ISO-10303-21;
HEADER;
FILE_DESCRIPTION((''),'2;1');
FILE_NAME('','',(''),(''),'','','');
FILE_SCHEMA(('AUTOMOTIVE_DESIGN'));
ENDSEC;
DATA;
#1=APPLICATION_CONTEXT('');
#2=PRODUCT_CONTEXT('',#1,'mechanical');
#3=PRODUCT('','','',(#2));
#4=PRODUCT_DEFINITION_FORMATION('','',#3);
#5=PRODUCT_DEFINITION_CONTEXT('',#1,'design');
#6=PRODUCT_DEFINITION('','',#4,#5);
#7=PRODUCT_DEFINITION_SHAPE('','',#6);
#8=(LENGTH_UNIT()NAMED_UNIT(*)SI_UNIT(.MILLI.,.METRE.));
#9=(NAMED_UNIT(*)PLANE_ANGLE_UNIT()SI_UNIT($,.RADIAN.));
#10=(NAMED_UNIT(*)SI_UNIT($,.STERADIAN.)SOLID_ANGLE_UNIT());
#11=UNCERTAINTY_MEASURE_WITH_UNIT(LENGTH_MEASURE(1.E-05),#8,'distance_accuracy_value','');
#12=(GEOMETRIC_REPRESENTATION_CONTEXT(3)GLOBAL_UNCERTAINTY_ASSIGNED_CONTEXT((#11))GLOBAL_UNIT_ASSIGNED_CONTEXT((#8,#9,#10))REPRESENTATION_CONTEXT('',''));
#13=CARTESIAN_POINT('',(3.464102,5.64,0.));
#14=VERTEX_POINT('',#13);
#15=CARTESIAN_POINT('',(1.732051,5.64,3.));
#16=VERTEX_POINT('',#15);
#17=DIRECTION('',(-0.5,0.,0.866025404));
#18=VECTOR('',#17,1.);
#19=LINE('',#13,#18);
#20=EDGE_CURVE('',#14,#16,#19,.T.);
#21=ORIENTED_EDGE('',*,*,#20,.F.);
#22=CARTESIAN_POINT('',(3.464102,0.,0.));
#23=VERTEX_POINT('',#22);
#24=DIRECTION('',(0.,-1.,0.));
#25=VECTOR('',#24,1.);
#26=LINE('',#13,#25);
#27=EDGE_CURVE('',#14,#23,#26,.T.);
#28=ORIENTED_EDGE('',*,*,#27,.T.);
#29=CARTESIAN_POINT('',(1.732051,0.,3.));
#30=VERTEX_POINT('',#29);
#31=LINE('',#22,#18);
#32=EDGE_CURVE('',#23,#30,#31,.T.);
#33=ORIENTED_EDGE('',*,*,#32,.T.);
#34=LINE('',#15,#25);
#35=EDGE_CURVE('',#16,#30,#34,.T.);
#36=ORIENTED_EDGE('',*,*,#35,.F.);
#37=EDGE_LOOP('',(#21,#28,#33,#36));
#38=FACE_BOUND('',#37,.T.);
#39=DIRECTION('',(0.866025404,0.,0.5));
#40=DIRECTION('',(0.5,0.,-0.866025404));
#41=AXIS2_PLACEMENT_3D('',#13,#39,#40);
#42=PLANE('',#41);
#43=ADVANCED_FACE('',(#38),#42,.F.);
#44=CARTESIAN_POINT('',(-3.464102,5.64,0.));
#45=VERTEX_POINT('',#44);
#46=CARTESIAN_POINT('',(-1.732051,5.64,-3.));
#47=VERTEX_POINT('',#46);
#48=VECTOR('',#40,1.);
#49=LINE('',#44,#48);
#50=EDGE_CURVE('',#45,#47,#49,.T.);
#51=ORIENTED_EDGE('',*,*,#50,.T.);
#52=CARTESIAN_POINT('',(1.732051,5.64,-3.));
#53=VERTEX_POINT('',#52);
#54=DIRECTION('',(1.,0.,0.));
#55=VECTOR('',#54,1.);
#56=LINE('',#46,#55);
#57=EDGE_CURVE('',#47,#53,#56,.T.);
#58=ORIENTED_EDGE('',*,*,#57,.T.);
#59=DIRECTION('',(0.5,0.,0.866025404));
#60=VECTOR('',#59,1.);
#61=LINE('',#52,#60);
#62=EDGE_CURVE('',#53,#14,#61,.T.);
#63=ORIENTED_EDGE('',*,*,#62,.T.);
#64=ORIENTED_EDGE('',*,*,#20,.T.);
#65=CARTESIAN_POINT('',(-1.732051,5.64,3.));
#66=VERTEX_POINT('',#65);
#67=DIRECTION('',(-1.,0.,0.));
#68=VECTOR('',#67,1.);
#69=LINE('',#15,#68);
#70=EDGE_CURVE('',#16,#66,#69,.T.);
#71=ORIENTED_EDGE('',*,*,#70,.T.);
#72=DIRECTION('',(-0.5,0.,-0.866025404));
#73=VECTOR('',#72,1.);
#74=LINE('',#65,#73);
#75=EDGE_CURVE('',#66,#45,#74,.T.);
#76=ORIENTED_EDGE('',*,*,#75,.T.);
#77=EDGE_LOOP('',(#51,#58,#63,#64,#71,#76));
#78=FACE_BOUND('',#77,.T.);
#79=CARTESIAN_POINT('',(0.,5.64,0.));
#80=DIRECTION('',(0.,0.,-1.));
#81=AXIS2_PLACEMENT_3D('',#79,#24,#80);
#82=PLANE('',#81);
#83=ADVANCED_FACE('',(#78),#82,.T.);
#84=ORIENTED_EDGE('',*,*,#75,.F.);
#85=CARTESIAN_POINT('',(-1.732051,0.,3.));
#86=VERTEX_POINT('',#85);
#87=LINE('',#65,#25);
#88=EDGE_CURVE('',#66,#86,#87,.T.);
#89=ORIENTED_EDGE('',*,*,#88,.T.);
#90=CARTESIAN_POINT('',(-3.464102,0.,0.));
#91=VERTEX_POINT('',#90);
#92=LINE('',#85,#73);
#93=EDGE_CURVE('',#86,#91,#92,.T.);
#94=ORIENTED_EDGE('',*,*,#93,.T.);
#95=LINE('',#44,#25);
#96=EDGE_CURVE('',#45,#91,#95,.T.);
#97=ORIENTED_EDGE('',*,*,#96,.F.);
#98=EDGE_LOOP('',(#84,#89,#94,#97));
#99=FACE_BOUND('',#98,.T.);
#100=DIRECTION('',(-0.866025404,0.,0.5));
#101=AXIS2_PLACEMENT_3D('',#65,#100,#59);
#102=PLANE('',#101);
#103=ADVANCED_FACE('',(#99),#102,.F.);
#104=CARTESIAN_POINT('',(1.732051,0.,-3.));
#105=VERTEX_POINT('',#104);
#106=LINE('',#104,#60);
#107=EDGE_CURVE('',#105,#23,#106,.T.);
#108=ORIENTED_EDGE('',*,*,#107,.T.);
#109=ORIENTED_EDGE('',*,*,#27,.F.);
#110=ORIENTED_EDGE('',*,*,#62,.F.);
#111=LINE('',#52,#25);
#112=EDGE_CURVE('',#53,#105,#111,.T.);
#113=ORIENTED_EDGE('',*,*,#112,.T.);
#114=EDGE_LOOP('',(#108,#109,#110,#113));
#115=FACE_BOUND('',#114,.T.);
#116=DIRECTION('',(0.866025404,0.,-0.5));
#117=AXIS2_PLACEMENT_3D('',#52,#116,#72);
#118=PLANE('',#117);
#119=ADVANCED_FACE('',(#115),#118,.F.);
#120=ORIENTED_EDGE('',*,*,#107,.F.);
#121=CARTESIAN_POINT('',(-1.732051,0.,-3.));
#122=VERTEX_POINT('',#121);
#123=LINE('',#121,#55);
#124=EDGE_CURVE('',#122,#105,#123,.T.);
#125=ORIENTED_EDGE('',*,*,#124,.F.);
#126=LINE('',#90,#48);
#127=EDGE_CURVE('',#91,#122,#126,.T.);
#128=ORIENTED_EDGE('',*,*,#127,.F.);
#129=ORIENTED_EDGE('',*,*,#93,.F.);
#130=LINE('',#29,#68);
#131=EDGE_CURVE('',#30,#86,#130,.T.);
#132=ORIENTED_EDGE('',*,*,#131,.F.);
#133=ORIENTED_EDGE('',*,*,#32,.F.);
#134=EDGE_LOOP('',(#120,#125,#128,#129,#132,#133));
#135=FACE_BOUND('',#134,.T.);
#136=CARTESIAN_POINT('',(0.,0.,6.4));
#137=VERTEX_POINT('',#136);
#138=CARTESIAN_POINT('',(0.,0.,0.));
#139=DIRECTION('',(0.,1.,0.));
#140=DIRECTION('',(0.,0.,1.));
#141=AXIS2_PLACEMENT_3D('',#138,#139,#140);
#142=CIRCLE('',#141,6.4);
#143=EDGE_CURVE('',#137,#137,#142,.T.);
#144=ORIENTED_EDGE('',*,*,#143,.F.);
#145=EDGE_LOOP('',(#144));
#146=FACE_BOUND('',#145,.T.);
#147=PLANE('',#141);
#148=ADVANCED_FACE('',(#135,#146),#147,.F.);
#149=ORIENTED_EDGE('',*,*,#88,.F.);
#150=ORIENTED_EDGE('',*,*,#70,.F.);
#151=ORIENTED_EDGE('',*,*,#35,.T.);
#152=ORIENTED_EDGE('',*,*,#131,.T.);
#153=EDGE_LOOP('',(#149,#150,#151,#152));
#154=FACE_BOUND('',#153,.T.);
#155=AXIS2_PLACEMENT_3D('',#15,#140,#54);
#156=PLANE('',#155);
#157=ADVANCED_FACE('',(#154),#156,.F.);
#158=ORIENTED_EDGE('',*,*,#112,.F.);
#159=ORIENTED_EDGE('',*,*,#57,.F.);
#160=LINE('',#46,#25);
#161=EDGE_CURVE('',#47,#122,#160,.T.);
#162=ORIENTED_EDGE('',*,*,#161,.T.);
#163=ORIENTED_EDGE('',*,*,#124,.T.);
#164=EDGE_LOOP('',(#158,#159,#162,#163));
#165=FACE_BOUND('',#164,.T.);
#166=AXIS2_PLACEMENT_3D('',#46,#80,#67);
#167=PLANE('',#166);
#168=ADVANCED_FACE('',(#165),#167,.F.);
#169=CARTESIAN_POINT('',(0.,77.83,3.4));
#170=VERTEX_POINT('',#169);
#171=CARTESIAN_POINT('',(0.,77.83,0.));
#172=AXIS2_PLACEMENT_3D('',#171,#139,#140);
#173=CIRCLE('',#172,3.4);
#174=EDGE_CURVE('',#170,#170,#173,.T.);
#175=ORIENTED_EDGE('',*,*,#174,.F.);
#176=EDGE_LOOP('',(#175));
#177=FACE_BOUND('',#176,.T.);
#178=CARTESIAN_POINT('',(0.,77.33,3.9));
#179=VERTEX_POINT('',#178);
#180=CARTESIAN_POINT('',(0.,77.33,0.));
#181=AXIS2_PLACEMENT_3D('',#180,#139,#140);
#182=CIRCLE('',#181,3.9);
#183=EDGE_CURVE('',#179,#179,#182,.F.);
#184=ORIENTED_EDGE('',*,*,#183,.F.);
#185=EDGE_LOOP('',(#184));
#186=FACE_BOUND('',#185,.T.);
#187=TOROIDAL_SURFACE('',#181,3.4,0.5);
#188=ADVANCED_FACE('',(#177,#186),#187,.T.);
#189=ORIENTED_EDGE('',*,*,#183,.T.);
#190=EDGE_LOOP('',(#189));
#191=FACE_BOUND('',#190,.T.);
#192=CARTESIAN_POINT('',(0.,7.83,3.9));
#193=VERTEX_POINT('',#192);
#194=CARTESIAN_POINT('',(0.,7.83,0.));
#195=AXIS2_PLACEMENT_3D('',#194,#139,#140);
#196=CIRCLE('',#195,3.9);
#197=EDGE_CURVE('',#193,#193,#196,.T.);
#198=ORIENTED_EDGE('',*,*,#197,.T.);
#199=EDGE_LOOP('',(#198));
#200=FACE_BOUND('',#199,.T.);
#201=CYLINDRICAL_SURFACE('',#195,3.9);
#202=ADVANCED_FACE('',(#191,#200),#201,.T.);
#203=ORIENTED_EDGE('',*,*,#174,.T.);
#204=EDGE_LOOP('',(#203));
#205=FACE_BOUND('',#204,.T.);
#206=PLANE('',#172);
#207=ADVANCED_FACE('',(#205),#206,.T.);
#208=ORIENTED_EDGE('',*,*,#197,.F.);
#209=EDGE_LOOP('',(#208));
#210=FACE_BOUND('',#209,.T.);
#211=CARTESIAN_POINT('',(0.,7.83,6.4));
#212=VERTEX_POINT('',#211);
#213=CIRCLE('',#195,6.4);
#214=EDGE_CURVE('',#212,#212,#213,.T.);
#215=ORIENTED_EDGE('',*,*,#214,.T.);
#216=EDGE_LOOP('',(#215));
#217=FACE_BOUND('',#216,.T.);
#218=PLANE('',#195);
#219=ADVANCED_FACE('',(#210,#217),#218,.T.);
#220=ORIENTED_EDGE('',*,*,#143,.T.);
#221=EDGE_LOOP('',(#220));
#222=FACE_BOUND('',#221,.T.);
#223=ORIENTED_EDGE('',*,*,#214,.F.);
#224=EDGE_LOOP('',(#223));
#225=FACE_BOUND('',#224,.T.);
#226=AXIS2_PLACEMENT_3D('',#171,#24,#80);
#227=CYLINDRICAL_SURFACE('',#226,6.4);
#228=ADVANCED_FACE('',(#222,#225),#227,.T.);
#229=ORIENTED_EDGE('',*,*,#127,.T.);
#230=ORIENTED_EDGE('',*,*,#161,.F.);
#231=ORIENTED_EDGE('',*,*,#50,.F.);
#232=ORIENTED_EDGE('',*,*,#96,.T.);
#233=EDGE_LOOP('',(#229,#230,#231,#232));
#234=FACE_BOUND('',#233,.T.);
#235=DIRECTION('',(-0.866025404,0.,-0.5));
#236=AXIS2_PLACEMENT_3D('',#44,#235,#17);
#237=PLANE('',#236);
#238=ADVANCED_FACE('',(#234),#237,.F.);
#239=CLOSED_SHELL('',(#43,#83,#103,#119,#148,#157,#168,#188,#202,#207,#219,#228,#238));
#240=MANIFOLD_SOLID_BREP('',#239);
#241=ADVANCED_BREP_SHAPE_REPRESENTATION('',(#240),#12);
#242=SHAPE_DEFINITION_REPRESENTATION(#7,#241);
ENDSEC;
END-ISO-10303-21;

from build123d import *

# Parameters (mm, degrees)
SKETCH1_R           = 6.4
BOSS_EXTRUDE1_DEPTH = 77.83
SKETCH2_OUTSIDE_W   = 30.782
SKETCH2_OUTSIDE_H   = 30.782
SKETCH2_OUTSIDE_R   = 3.9
CUT_EXTRUDE1_DEPTH  = 70
CUT_EXTRUDE2_DEPTH  = 5.64
FILLET1_R           = 0.5


with BuildPart() as part:
    # Sketch1 → Boss-Extrude1 (new body)
    with BuildSketch(Plane(origin=(0, 0, 0), x_dir=(1, 0, 0), z_dir=(0, 1, 0))):
        Circle(SKETCH1_R)
    extrude(amount=BOSS_EXTRUDE1_DEPTH)

    # Sketch2 outside → Cut-Extrude1 (cut)
    with BuildSketch(Plane(origin=(0, 77.83, 0), x_dir=(1, 0, 0), z_dir=(0, 1, 0))):
        Rectangle(SKETCH2_OUTSIDE_W, SKETCH2_OUTSIDE_H)
        Circle(SKETCH2_OUTSIDE_R, mode=Mode.SUBTRACT)
    extrude(amount=-CUT_EXTRUDE1_DEPTH, mode=Mode.SUBTRACT)

    # Sketch8 → Cut-Extrude2 (cut)
    with BuildSketch(Plane.XZ):
        Polygon((3.464101615, 0), (1.732050808, 3), (-1.732050808, 3), (-3.464101615, 0), (-1.732050808, -3), (1.732050808, -3), align=None)
    extrude(amount=-CUT_EXTRUDE2_DEPTH, mode=Mode.SUBTRACT)

    # Fillet1
    fillet1_edges = [part.edges().sort_by_distance(p)[0] for p in [
        (-3.9, 77.83, 0),
    ]]
    fillet(fillet1_edges, radius=FILLET1_R)


solid = part.part
